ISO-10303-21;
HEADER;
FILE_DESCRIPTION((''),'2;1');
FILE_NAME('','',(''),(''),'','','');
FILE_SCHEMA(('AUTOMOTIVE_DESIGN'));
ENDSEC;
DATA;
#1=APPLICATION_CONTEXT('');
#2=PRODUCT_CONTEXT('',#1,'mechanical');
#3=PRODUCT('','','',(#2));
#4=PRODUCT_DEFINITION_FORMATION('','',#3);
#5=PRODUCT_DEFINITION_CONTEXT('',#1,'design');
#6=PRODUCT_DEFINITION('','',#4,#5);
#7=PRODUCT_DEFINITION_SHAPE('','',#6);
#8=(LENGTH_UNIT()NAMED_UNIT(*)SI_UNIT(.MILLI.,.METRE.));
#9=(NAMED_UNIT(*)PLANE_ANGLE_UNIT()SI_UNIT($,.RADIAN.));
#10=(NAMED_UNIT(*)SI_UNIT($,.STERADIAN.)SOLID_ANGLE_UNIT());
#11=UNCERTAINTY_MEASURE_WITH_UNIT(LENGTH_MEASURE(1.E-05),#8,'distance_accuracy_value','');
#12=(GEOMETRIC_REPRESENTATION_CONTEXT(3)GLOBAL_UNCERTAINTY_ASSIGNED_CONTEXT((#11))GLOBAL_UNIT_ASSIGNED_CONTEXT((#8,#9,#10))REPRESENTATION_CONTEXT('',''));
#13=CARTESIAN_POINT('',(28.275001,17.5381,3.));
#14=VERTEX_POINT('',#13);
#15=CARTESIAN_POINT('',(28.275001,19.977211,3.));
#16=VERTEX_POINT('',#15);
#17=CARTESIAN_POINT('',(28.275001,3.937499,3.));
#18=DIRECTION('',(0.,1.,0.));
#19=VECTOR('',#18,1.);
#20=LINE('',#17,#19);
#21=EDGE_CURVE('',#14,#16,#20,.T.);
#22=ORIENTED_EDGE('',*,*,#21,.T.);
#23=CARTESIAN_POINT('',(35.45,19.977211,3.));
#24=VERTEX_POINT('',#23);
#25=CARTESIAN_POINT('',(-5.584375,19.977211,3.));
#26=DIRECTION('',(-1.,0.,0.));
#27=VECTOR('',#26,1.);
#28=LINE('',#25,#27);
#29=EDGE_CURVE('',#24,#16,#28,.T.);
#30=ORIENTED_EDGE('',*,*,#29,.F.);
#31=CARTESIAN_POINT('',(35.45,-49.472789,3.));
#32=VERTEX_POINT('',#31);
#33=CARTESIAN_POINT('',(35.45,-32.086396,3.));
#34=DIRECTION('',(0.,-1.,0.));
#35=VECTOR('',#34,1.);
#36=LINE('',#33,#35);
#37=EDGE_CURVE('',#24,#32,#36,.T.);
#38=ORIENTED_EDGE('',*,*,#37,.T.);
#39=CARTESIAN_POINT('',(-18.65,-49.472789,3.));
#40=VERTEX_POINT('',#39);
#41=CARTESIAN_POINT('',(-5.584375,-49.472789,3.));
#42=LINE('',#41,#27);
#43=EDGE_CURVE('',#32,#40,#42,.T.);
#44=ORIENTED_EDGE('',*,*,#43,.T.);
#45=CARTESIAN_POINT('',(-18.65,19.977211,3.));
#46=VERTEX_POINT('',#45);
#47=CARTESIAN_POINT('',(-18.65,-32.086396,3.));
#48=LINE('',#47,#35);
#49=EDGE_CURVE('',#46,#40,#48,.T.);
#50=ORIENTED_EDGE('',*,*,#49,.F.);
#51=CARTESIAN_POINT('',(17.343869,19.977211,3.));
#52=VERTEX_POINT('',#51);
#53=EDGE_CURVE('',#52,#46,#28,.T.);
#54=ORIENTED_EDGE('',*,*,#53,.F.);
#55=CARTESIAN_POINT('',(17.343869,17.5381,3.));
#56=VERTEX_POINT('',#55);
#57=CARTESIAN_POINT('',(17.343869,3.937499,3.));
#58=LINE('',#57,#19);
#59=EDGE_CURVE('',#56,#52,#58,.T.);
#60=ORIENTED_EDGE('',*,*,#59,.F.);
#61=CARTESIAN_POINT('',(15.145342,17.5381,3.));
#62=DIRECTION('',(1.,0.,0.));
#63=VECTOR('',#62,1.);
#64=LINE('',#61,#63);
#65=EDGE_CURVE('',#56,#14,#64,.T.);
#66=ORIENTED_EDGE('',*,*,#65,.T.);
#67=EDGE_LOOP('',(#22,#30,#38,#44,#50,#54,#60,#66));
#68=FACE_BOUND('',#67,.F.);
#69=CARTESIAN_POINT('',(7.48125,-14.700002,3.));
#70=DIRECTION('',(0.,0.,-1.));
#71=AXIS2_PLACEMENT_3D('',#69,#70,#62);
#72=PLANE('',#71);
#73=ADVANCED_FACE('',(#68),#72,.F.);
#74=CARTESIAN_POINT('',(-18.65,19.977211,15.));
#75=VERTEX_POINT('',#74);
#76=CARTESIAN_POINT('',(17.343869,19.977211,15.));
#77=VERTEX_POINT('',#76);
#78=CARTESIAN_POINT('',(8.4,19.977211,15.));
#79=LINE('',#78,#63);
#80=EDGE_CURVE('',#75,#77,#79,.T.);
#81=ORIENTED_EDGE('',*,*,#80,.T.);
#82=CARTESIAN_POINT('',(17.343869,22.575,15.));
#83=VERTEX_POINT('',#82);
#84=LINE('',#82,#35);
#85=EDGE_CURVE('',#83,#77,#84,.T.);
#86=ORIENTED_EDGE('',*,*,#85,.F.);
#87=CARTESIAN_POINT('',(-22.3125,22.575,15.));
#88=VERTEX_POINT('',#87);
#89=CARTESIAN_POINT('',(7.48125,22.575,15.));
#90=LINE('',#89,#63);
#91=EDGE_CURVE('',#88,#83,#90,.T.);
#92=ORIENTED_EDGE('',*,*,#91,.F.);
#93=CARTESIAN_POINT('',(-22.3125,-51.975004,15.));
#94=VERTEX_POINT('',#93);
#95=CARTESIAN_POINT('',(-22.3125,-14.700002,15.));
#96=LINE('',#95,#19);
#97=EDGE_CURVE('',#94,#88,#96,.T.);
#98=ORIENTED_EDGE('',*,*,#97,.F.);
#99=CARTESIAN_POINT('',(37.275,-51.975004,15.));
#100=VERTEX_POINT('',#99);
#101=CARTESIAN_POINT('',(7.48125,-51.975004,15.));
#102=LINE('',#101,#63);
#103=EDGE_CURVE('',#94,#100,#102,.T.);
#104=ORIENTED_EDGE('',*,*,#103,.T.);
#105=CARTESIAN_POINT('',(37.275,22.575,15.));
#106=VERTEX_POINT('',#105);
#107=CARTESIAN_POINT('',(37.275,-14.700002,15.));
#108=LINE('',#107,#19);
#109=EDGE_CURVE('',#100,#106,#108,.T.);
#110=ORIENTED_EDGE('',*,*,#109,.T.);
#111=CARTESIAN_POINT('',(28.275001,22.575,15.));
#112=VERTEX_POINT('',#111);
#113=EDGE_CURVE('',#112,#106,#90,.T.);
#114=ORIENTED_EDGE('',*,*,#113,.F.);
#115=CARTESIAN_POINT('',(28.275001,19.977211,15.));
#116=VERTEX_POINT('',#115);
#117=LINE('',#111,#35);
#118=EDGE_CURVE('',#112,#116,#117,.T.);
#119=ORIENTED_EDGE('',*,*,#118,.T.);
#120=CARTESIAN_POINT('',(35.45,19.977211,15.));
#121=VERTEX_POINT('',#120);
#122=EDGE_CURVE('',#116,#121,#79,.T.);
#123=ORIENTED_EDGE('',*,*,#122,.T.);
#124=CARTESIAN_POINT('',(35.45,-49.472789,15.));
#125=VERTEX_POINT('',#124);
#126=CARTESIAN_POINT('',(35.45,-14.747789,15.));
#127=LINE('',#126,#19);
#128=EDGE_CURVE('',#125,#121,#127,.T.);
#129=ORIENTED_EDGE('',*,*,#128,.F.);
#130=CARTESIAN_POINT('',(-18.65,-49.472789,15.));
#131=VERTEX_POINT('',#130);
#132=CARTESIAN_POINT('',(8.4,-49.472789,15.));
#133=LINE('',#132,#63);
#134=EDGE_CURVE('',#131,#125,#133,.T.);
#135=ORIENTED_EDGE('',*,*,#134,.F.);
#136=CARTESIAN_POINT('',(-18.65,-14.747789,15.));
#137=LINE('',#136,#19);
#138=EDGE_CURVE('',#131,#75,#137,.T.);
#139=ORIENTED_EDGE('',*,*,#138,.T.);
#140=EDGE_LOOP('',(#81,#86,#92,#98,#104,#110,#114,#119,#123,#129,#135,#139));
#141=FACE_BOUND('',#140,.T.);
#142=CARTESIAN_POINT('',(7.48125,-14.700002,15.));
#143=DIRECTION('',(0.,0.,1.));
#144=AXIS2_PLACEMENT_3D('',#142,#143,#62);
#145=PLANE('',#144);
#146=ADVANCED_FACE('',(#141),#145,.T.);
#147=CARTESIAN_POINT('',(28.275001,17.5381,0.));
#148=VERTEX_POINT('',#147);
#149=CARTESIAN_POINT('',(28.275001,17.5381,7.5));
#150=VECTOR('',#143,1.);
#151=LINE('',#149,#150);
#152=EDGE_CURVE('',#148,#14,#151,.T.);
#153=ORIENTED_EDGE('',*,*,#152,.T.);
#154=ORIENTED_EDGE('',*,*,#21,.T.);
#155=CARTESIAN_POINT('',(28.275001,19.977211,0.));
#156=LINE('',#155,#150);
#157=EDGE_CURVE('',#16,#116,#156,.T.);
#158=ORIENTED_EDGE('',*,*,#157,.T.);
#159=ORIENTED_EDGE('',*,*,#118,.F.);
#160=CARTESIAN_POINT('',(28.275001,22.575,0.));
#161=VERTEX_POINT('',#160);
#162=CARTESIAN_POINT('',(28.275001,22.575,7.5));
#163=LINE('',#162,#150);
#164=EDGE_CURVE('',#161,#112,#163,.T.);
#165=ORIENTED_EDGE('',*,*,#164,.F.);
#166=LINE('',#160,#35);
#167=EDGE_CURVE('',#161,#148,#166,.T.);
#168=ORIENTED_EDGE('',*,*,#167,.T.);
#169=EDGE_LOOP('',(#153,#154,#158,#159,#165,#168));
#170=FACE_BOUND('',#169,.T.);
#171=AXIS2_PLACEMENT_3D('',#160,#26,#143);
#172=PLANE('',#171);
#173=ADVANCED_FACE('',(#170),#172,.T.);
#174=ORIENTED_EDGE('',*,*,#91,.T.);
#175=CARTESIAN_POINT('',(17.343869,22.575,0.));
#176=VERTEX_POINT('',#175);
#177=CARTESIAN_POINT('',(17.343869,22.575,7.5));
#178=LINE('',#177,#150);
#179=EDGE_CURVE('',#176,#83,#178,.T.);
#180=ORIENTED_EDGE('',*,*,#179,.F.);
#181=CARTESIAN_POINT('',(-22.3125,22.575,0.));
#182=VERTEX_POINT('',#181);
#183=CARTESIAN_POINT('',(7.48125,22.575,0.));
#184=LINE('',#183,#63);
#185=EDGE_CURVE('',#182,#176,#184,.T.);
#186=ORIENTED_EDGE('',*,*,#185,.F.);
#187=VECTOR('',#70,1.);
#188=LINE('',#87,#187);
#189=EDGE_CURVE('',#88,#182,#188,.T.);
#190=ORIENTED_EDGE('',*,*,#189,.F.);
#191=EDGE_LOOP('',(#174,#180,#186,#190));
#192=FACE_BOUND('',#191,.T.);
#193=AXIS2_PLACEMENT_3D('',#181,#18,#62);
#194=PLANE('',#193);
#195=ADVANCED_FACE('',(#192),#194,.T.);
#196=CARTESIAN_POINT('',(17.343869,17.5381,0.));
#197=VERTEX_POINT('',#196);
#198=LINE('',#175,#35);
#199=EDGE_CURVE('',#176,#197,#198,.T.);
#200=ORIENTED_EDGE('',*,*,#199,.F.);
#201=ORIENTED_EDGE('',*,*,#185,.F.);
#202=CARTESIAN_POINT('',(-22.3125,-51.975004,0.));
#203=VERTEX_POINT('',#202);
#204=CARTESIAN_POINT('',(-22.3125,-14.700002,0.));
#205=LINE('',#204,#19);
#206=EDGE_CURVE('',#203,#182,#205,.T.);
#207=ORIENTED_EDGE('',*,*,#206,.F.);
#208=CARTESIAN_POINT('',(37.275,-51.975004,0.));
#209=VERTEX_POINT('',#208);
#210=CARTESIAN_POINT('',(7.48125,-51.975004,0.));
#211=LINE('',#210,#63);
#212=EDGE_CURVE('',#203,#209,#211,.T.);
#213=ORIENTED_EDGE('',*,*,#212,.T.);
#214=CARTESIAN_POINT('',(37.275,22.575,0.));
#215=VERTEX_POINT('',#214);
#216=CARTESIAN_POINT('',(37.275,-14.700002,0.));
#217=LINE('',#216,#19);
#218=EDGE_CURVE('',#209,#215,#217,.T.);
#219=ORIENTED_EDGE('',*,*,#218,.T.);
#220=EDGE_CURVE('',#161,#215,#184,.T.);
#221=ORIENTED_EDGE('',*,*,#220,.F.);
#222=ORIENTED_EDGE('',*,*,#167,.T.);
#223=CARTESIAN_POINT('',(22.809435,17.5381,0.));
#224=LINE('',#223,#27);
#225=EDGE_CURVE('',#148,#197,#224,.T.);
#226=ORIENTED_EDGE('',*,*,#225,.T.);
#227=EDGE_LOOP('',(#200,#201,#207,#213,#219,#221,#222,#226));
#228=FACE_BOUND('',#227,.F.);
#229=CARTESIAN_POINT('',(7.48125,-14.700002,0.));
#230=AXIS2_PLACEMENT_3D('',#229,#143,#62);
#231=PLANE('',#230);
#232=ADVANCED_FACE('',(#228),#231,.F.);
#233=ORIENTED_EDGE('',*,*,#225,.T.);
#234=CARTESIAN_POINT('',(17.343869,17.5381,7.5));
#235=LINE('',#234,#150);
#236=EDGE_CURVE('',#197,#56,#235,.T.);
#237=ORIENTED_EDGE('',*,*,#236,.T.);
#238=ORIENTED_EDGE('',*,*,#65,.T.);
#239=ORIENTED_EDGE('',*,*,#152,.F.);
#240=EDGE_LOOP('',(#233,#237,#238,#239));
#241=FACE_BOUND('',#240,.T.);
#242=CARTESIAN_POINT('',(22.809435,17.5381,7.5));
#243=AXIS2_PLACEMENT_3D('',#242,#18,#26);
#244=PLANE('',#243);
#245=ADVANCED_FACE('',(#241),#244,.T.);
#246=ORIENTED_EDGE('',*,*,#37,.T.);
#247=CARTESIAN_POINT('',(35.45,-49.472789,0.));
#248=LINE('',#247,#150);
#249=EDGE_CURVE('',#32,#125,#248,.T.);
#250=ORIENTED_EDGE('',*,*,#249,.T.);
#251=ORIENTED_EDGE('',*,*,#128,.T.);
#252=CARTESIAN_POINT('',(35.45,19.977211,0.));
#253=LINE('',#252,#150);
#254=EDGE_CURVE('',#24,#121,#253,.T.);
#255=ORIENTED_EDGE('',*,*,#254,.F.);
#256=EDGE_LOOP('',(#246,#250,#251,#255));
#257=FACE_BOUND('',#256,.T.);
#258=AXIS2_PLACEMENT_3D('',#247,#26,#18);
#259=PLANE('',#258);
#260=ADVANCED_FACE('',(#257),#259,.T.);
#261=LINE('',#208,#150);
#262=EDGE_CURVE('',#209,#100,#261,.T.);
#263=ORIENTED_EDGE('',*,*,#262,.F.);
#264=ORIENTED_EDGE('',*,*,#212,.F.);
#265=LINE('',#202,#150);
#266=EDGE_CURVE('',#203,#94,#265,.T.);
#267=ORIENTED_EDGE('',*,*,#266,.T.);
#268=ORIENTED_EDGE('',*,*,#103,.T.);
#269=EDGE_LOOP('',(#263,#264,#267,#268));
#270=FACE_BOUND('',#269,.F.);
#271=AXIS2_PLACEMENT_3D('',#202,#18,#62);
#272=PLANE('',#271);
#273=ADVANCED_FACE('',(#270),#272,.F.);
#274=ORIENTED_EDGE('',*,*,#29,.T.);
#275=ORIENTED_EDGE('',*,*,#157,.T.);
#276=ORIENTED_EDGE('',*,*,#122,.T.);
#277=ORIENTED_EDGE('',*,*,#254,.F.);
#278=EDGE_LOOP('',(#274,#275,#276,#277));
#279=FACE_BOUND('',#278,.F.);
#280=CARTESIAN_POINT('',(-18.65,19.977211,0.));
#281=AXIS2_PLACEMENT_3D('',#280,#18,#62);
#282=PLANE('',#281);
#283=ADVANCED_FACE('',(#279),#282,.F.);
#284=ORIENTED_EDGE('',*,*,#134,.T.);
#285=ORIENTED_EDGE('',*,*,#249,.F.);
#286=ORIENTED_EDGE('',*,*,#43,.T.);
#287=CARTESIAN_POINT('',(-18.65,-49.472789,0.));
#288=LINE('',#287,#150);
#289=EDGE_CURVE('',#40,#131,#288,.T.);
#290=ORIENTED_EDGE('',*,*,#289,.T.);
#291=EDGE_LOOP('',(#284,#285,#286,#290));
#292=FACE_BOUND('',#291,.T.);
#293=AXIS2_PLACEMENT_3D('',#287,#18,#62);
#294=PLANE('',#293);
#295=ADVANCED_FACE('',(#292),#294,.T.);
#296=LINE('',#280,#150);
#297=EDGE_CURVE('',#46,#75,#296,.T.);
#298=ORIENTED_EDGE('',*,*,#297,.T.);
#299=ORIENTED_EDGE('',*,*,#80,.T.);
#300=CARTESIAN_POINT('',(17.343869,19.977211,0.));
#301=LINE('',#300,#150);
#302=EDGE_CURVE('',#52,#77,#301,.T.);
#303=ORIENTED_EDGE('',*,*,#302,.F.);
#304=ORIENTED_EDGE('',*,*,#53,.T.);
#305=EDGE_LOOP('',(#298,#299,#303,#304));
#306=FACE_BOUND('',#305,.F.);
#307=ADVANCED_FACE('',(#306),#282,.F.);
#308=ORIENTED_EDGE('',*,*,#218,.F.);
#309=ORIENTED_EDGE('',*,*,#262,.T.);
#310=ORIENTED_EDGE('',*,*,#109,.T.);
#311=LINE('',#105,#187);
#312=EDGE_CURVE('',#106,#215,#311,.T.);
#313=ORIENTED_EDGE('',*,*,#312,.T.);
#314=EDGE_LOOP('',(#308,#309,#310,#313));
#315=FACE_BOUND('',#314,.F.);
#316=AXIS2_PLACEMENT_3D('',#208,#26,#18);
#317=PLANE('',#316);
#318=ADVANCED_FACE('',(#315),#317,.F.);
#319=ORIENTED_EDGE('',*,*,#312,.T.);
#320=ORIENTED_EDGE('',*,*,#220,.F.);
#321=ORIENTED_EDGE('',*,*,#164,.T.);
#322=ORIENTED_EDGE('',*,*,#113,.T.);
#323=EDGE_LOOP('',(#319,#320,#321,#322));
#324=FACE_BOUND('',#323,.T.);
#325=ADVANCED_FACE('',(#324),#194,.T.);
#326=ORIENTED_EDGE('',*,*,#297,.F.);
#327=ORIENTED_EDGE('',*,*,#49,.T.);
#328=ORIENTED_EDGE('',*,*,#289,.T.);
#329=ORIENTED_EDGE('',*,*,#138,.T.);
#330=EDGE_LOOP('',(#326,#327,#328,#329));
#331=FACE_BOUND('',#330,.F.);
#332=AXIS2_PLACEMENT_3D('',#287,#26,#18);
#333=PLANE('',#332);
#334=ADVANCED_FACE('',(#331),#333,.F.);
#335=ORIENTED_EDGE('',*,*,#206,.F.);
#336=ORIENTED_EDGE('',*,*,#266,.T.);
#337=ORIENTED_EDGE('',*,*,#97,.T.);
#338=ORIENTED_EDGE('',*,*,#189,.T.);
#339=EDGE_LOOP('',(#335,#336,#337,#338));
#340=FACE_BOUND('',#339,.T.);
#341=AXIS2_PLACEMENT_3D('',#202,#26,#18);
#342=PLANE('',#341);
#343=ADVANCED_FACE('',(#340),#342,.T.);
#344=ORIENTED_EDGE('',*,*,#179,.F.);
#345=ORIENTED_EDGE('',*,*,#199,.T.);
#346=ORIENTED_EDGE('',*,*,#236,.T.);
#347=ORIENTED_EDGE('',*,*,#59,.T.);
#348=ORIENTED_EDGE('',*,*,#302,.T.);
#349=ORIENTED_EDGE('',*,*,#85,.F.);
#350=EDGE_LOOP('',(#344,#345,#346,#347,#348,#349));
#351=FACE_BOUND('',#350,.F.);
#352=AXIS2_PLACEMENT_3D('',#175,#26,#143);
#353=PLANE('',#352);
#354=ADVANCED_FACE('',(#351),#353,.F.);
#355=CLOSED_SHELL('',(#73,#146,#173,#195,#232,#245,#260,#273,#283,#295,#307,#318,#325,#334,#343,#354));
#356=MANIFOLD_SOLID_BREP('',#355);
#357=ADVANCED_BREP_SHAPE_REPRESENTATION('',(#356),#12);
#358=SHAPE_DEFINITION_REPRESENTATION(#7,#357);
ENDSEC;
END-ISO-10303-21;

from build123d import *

# Parameters (mm, degrees)
F0_W     = 59.587501
F0_H     = 74.550004
F0_W_2   = 54.1
F0_H_2   = 69.45
F1_DEPTH = 15
F2_W     = 59.587501
F2_H     = 74.550004
F3_DEPTH = 3
F4_W     = 10.931132
F4_H     = 15
F5_DEPTH = 5.0369


with BuildPart() as f1:
    # F0 (on Top) → F1 (new body)
    with BuildSketch(Plane.XY):
        with Locations((7.48125, -14.700002)):
            Rectangle(F0_W, F0_H)
        with Locations((8.4, -14.747789)):
            Rectangle(F0_W_2, F0_H_2, mode=Mode.SUBTRACT)
    extrude(amount=F1_DEPTH)

    # F2 (on face) → F3 (join)
    with BuildSketch(Plane(origin=(0, 0, 0), x_dir=(1, 0, 0), z_dir=(0, 0, -1))):
        with Locations((7.48125, 14.700002)):
            Rectangle(F2_W, F2_H)
    extrude(amount=-F3_DEPTH)

    # F4 (on face) → F5 (cut)
    with BuildSketch(Plane(origin=(0, 22.575, 0), x_dir=(-1, 0, 0), z_dir=(0, 1, 0))):
        with Locations((-22.809435, 7.5)):
            Rectangle(F4_W, F4_H)
    extrude(amount=-F5_DEPTH, mode=Mode.SUBTRACT)


solid = f1.part
